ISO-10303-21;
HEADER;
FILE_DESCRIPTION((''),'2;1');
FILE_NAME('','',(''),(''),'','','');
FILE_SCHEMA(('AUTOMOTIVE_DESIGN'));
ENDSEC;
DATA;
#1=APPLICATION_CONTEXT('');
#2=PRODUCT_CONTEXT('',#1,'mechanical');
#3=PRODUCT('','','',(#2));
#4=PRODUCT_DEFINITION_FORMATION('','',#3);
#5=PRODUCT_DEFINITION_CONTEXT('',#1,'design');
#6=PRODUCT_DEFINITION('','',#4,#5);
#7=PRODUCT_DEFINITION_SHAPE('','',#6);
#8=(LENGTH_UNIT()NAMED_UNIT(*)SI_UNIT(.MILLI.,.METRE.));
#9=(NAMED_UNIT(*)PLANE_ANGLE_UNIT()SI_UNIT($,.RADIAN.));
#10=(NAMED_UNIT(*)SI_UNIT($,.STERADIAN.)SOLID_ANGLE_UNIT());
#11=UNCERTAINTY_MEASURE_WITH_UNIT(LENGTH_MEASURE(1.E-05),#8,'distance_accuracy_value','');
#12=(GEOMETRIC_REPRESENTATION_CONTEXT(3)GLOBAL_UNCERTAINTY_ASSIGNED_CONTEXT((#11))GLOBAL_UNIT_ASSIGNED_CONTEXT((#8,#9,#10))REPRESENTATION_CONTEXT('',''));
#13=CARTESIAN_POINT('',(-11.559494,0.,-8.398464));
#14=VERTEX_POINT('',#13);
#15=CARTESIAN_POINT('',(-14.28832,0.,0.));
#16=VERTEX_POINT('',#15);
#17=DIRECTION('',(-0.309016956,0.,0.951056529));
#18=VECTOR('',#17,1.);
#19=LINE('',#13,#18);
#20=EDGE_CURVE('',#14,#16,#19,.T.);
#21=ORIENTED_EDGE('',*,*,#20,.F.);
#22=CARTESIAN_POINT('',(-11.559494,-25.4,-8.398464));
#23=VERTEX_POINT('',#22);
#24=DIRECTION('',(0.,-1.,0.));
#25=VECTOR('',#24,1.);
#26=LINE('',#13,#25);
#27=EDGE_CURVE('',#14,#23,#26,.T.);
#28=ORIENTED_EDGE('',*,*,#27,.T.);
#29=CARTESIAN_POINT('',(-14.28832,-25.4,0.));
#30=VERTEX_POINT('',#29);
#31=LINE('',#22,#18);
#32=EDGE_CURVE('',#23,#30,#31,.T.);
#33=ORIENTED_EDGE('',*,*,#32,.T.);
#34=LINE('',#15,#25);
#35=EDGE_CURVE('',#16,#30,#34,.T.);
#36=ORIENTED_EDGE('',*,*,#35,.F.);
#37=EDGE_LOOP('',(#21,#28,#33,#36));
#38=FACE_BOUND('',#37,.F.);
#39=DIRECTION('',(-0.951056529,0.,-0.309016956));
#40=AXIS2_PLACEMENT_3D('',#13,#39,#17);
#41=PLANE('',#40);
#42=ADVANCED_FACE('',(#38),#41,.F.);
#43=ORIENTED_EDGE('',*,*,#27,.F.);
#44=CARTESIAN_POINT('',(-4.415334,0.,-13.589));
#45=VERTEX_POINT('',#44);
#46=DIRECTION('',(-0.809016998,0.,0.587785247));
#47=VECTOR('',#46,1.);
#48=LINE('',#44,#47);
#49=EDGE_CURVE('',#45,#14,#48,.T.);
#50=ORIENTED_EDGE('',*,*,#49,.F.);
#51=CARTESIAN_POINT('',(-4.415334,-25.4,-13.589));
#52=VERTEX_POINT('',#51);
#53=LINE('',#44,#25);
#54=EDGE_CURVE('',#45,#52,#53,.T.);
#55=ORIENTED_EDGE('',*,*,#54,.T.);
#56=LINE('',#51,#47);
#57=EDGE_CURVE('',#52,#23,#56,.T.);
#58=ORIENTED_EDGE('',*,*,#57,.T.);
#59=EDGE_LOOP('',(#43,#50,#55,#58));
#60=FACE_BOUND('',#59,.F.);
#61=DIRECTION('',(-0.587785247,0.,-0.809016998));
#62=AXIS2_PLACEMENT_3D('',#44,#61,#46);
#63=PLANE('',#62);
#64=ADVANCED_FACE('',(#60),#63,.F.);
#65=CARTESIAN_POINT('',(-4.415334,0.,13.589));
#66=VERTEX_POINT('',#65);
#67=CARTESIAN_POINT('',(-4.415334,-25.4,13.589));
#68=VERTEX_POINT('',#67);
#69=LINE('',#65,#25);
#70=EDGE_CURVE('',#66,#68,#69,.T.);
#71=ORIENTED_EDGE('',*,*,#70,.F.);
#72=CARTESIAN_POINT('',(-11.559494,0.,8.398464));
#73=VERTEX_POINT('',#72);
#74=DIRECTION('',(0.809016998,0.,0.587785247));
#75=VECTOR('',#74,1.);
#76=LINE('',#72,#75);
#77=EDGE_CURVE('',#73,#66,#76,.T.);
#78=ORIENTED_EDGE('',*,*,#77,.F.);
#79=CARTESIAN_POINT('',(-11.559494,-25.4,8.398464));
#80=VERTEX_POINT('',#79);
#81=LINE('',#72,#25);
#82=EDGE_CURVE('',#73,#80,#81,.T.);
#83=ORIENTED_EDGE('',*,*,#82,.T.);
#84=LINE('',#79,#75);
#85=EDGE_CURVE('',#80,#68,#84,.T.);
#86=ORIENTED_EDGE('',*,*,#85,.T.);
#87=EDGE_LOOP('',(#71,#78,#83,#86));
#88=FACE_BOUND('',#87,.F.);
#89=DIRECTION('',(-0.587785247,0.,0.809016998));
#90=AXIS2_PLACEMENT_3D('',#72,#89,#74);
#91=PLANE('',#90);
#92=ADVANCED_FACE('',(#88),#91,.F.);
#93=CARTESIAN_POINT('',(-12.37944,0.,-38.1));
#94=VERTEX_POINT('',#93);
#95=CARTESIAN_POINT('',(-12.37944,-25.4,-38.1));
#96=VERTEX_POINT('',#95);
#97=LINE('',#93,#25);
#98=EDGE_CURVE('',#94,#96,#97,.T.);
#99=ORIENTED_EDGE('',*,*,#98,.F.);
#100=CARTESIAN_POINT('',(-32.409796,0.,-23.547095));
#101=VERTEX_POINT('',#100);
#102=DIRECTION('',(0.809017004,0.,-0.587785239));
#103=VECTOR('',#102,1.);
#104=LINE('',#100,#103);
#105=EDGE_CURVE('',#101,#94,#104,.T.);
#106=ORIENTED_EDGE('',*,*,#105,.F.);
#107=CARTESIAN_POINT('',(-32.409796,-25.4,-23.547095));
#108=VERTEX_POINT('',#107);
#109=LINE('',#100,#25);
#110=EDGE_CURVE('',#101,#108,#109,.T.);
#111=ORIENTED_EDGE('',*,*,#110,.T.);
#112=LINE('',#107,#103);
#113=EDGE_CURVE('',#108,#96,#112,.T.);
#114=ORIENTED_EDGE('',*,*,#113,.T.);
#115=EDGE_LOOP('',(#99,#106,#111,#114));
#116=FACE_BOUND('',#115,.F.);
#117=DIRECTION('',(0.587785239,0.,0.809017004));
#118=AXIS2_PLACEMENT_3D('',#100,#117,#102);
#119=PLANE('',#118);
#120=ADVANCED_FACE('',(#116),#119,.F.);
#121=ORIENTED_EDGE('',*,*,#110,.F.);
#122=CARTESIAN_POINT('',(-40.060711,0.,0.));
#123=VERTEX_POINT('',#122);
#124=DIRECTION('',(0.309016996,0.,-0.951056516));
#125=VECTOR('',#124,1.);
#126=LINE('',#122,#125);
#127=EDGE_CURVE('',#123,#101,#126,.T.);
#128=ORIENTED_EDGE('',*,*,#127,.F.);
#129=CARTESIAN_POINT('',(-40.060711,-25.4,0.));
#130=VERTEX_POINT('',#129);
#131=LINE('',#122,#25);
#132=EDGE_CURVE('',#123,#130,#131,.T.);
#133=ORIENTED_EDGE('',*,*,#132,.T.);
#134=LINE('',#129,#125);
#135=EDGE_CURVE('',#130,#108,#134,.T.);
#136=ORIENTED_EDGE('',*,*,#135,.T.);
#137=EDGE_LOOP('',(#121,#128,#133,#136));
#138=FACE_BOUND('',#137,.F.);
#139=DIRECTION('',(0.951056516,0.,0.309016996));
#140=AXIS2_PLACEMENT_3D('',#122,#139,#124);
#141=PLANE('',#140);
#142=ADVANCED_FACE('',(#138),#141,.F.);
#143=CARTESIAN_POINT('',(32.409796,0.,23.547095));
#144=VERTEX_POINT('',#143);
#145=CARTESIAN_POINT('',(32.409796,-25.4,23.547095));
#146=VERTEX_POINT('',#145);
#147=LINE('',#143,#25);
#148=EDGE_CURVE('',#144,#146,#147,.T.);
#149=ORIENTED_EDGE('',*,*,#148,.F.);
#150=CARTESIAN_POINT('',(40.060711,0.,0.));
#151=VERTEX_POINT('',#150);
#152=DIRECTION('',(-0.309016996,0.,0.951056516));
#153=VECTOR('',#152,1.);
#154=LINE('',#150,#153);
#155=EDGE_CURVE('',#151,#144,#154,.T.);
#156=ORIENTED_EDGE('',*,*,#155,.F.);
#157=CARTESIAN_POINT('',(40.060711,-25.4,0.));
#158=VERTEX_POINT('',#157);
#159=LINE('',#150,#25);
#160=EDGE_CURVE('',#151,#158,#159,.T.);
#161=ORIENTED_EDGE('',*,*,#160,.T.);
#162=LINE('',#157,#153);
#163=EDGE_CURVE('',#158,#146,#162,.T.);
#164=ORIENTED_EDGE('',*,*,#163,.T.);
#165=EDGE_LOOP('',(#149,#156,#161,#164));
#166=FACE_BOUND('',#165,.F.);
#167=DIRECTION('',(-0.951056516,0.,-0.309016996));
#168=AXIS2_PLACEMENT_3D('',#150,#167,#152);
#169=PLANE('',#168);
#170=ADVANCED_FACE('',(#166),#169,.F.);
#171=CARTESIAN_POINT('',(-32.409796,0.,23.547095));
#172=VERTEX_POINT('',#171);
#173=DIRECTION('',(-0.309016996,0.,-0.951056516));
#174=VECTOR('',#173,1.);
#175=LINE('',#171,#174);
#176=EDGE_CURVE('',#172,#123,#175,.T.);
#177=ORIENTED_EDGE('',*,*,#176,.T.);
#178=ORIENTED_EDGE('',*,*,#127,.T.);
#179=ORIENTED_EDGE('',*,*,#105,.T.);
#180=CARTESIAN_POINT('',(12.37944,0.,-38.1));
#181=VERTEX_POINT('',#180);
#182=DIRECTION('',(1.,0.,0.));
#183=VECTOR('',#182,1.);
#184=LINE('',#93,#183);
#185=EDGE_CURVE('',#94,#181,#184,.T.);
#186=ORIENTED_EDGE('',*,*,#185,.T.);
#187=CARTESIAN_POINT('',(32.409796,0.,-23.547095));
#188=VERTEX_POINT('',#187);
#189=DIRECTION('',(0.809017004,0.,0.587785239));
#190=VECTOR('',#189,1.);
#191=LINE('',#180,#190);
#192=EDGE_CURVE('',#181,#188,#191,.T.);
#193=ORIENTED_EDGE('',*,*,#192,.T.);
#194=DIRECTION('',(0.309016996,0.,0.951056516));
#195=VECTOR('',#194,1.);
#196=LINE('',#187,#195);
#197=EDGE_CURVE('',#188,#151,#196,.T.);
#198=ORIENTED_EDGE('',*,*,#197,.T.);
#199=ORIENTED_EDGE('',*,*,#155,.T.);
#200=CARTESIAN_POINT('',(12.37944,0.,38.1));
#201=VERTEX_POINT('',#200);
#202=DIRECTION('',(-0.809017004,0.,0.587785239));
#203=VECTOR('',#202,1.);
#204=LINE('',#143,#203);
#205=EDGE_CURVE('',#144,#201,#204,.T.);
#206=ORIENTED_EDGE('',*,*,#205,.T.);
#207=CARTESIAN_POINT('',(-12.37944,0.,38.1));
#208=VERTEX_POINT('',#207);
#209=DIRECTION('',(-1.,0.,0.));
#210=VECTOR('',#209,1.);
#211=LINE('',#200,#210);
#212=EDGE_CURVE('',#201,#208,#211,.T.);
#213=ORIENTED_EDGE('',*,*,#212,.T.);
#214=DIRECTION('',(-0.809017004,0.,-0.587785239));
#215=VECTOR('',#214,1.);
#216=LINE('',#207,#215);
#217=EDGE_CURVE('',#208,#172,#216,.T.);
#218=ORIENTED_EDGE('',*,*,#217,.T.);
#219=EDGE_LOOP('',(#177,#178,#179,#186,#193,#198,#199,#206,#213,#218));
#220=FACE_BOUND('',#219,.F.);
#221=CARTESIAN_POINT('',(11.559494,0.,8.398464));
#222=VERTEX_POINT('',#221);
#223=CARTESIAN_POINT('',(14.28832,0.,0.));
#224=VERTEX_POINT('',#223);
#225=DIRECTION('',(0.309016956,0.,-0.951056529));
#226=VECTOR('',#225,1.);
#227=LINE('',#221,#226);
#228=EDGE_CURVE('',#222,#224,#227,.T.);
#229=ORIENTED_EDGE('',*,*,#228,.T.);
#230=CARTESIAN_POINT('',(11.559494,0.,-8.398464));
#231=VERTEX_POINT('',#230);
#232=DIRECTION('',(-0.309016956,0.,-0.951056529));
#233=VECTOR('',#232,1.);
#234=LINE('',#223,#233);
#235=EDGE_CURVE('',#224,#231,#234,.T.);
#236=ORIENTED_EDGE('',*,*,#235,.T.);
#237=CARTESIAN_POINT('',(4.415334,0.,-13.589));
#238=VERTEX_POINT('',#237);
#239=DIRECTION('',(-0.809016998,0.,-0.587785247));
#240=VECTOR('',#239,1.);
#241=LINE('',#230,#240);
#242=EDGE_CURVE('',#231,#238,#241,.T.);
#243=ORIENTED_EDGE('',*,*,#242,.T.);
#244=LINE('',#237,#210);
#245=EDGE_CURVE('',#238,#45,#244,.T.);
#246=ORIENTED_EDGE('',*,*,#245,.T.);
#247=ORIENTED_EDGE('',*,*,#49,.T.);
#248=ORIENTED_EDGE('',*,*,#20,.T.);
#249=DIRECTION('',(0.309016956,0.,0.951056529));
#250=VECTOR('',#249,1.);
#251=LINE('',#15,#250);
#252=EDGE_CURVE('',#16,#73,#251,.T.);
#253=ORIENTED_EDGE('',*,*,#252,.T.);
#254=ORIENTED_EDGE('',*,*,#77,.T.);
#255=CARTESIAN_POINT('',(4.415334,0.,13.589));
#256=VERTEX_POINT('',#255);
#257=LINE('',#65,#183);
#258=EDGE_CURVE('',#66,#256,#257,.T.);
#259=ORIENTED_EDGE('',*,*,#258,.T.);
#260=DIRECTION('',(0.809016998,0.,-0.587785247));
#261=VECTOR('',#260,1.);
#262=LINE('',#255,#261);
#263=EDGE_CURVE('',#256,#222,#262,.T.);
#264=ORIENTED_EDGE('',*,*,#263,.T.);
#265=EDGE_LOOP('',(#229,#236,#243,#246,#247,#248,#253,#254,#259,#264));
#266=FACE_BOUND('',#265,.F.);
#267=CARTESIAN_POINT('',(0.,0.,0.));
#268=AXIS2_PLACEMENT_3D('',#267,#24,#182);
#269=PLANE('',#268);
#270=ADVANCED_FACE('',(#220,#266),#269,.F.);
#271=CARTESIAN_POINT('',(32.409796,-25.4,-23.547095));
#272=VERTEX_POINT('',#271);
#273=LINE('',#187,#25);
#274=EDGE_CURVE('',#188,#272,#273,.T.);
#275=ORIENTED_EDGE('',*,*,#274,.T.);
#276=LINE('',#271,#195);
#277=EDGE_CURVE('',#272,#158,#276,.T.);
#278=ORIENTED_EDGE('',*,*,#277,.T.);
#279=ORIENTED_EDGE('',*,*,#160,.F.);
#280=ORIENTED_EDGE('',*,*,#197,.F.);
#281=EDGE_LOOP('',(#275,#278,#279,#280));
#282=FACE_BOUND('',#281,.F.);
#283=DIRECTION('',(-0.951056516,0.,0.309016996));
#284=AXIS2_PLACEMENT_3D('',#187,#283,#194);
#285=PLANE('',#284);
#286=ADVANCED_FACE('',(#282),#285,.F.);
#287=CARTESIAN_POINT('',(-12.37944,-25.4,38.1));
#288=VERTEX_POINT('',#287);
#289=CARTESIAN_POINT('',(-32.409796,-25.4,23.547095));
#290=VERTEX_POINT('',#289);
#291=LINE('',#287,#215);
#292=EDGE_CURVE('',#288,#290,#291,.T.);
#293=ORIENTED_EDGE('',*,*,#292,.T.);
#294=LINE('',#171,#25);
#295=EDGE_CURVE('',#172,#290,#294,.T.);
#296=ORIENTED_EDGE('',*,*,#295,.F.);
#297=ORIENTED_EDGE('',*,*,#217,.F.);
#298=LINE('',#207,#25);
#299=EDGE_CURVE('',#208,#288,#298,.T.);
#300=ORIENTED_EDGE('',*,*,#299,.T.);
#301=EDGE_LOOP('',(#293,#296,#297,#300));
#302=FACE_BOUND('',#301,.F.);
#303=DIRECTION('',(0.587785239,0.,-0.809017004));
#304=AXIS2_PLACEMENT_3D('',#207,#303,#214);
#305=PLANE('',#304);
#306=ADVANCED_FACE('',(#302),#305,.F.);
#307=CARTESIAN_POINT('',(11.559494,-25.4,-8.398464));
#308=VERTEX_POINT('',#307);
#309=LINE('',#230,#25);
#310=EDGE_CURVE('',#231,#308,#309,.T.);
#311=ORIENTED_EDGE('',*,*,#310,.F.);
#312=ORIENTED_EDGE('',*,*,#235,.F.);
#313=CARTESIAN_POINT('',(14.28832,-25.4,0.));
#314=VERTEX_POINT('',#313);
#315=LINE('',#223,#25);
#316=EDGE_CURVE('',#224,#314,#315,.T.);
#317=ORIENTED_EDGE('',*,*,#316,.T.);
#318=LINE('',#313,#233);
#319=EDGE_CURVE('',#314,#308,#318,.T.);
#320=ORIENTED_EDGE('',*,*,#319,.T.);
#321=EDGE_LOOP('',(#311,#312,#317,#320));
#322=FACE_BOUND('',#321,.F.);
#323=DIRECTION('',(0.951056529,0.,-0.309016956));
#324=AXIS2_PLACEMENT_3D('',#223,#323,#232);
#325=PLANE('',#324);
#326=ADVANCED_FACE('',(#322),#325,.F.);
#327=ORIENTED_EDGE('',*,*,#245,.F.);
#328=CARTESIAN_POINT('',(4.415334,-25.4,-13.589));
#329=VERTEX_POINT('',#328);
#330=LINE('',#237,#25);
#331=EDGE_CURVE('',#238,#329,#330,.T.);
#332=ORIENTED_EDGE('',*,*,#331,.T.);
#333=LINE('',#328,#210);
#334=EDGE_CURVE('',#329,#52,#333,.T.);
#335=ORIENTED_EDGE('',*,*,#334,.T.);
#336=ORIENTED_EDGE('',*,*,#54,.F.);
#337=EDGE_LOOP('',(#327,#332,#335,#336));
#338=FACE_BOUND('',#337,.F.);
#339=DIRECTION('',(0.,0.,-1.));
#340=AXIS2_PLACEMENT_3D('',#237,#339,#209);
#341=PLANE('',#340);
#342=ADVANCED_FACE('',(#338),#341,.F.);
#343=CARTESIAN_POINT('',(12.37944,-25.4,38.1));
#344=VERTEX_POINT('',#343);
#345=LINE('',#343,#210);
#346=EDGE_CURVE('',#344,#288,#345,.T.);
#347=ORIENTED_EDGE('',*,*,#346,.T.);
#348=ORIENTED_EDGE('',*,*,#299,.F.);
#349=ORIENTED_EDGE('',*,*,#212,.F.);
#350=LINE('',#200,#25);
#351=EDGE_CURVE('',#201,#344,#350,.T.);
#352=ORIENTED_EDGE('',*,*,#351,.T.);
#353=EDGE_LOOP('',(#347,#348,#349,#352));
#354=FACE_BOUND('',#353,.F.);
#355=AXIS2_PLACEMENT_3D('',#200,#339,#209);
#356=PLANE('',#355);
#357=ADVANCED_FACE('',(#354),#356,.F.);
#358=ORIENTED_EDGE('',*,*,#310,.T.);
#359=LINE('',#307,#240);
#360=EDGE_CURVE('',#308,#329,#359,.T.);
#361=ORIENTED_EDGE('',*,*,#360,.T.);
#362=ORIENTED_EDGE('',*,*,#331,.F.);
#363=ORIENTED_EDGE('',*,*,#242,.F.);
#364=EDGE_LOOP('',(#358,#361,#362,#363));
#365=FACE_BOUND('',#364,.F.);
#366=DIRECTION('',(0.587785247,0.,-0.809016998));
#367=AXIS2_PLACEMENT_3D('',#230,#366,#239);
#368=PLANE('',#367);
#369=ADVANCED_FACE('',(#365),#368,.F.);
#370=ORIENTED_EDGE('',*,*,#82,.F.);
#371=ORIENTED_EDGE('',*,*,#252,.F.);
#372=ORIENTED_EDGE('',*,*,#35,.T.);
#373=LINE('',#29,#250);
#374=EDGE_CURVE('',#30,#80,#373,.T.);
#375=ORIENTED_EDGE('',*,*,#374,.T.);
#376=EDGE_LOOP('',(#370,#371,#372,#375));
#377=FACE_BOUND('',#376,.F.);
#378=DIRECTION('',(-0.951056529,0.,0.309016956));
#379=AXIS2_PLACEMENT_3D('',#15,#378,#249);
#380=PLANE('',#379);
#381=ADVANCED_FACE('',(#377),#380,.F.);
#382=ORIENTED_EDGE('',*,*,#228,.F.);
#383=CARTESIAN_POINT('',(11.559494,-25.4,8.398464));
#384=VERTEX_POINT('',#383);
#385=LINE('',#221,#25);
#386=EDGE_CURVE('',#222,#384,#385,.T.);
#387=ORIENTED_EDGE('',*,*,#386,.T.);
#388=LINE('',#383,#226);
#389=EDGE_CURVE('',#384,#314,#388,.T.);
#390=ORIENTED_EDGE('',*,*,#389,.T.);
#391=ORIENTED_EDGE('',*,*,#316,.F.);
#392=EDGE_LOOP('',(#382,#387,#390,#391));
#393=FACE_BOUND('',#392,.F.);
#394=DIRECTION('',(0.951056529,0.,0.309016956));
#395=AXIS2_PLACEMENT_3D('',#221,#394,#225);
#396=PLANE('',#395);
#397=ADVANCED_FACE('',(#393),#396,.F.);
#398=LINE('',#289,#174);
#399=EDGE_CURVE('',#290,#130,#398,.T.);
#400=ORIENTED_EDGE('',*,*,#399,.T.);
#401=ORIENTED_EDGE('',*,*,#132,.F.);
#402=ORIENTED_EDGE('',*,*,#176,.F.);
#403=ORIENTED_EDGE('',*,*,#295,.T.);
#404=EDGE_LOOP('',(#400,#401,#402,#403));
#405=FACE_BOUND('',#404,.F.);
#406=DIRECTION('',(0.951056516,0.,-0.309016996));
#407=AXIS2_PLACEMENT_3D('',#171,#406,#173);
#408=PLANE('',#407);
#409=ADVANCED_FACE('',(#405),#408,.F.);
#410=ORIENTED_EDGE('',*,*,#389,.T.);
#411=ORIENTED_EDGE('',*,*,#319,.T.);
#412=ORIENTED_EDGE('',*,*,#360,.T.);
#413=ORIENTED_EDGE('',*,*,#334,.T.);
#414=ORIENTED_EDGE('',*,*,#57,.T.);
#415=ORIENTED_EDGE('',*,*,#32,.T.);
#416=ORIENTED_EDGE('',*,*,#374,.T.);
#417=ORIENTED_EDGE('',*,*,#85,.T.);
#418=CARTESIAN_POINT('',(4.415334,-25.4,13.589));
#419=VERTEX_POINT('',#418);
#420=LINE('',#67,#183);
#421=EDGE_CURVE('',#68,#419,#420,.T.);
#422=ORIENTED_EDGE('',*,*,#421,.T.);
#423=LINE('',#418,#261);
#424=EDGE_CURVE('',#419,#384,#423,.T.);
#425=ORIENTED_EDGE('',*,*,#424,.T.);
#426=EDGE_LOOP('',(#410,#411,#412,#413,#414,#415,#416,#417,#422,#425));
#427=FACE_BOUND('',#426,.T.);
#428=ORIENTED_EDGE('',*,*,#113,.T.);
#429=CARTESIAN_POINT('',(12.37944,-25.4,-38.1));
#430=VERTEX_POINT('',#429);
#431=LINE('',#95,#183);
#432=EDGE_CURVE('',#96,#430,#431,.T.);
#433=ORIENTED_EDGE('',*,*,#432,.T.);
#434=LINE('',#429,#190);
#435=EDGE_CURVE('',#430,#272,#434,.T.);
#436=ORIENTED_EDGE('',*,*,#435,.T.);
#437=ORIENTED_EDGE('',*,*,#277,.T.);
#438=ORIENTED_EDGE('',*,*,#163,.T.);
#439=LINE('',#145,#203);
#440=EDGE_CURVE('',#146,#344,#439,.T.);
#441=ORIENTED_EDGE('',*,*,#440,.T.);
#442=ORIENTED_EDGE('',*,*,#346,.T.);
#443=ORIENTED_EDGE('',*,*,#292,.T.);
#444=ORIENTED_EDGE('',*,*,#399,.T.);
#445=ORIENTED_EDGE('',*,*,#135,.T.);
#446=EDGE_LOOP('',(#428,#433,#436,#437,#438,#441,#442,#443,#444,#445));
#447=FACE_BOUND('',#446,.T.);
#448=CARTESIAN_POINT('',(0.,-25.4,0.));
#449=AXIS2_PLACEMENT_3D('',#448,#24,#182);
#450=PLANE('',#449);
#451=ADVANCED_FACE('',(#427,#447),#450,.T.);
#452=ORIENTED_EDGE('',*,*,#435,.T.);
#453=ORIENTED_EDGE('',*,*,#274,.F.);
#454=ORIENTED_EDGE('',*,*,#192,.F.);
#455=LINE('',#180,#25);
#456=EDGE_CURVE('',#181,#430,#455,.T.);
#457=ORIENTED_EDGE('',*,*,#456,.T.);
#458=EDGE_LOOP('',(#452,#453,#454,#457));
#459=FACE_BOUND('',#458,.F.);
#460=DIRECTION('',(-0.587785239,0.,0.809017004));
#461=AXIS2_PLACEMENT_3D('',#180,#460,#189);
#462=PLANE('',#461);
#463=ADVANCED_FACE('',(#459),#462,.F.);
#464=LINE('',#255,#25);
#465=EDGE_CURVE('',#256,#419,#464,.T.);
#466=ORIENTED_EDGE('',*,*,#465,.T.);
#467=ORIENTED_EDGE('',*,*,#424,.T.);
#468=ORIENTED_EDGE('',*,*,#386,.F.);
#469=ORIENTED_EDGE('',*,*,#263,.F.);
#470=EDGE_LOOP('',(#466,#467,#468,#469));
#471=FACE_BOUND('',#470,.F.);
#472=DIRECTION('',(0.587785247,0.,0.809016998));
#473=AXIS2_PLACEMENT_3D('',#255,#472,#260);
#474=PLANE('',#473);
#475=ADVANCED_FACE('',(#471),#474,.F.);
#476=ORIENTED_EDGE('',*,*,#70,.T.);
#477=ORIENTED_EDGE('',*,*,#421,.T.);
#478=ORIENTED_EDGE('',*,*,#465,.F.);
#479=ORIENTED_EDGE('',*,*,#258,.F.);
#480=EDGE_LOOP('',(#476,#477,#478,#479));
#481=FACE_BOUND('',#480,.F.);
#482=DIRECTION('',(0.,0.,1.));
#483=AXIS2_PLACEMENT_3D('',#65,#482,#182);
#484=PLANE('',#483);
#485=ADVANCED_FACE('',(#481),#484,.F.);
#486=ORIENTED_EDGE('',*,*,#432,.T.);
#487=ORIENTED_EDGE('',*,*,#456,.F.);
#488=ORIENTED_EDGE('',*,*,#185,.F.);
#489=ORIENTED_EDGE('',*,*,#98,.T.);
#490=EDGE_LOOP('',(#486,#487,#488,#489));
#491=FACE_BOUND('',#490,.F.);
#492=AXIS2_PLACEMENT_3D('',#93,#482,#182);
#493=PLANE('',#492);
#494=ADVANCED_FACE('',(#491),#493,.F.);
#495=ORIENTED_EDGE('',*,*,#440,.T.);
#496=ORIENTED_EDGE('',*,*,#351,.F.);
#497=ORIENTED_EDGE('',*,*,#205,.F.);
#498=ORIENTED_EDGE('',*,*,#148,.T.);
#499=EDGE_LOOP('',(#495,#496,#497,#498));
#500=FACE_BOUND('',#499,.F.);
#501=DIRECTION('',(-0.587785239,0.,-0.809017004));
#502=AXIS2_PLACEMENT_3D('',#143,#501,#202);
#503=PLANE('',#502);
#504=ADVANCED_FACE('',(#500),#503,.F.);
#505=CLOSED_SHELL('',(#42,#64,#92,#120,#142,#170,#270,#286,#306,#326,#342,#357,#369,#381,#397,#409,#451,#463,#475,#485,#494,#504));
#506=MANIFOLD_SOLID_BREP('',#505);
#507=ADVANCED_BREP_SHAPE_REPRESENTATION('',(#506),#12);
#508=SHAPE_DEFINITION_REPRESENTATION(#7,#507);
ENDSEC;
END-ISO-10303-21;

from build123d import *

# Parameters (mm, degrees)
F1_DEPTH = 25.4


with BuildPart() as f1:
    # F0 (on Front) → F1 (new body)
    with BuildSketch(Plane.XZ):
        Polygon((12.37944, 38.1), (0, 38.1), (-12.37944, 38.1), (-32.409796, 23.547095), (-40.060711, 0), (-32.409796, -23.547095), (-12.37944, -38.1), (12.37944, -38.1), (32.409796, -23.547095), (40.060711, 0), (32.409796, 23.547095), align=None)
        Polygon((-4.415334, 13.589), (0, 13.589), (4.415334, 13.589), (11.559494, 8.398464), (14.28832, 0), (11.559494, -8.398464), (4.415334, -13.589), (-4.415334, -13.589), (-11.559494, -8.398464), (-14.28832, 0), (-11.559494, 8.398464), align=None, mode=Mode.SUBTRACT)
    extrude(amount=F1_DEPTH)


solid = f1.part
